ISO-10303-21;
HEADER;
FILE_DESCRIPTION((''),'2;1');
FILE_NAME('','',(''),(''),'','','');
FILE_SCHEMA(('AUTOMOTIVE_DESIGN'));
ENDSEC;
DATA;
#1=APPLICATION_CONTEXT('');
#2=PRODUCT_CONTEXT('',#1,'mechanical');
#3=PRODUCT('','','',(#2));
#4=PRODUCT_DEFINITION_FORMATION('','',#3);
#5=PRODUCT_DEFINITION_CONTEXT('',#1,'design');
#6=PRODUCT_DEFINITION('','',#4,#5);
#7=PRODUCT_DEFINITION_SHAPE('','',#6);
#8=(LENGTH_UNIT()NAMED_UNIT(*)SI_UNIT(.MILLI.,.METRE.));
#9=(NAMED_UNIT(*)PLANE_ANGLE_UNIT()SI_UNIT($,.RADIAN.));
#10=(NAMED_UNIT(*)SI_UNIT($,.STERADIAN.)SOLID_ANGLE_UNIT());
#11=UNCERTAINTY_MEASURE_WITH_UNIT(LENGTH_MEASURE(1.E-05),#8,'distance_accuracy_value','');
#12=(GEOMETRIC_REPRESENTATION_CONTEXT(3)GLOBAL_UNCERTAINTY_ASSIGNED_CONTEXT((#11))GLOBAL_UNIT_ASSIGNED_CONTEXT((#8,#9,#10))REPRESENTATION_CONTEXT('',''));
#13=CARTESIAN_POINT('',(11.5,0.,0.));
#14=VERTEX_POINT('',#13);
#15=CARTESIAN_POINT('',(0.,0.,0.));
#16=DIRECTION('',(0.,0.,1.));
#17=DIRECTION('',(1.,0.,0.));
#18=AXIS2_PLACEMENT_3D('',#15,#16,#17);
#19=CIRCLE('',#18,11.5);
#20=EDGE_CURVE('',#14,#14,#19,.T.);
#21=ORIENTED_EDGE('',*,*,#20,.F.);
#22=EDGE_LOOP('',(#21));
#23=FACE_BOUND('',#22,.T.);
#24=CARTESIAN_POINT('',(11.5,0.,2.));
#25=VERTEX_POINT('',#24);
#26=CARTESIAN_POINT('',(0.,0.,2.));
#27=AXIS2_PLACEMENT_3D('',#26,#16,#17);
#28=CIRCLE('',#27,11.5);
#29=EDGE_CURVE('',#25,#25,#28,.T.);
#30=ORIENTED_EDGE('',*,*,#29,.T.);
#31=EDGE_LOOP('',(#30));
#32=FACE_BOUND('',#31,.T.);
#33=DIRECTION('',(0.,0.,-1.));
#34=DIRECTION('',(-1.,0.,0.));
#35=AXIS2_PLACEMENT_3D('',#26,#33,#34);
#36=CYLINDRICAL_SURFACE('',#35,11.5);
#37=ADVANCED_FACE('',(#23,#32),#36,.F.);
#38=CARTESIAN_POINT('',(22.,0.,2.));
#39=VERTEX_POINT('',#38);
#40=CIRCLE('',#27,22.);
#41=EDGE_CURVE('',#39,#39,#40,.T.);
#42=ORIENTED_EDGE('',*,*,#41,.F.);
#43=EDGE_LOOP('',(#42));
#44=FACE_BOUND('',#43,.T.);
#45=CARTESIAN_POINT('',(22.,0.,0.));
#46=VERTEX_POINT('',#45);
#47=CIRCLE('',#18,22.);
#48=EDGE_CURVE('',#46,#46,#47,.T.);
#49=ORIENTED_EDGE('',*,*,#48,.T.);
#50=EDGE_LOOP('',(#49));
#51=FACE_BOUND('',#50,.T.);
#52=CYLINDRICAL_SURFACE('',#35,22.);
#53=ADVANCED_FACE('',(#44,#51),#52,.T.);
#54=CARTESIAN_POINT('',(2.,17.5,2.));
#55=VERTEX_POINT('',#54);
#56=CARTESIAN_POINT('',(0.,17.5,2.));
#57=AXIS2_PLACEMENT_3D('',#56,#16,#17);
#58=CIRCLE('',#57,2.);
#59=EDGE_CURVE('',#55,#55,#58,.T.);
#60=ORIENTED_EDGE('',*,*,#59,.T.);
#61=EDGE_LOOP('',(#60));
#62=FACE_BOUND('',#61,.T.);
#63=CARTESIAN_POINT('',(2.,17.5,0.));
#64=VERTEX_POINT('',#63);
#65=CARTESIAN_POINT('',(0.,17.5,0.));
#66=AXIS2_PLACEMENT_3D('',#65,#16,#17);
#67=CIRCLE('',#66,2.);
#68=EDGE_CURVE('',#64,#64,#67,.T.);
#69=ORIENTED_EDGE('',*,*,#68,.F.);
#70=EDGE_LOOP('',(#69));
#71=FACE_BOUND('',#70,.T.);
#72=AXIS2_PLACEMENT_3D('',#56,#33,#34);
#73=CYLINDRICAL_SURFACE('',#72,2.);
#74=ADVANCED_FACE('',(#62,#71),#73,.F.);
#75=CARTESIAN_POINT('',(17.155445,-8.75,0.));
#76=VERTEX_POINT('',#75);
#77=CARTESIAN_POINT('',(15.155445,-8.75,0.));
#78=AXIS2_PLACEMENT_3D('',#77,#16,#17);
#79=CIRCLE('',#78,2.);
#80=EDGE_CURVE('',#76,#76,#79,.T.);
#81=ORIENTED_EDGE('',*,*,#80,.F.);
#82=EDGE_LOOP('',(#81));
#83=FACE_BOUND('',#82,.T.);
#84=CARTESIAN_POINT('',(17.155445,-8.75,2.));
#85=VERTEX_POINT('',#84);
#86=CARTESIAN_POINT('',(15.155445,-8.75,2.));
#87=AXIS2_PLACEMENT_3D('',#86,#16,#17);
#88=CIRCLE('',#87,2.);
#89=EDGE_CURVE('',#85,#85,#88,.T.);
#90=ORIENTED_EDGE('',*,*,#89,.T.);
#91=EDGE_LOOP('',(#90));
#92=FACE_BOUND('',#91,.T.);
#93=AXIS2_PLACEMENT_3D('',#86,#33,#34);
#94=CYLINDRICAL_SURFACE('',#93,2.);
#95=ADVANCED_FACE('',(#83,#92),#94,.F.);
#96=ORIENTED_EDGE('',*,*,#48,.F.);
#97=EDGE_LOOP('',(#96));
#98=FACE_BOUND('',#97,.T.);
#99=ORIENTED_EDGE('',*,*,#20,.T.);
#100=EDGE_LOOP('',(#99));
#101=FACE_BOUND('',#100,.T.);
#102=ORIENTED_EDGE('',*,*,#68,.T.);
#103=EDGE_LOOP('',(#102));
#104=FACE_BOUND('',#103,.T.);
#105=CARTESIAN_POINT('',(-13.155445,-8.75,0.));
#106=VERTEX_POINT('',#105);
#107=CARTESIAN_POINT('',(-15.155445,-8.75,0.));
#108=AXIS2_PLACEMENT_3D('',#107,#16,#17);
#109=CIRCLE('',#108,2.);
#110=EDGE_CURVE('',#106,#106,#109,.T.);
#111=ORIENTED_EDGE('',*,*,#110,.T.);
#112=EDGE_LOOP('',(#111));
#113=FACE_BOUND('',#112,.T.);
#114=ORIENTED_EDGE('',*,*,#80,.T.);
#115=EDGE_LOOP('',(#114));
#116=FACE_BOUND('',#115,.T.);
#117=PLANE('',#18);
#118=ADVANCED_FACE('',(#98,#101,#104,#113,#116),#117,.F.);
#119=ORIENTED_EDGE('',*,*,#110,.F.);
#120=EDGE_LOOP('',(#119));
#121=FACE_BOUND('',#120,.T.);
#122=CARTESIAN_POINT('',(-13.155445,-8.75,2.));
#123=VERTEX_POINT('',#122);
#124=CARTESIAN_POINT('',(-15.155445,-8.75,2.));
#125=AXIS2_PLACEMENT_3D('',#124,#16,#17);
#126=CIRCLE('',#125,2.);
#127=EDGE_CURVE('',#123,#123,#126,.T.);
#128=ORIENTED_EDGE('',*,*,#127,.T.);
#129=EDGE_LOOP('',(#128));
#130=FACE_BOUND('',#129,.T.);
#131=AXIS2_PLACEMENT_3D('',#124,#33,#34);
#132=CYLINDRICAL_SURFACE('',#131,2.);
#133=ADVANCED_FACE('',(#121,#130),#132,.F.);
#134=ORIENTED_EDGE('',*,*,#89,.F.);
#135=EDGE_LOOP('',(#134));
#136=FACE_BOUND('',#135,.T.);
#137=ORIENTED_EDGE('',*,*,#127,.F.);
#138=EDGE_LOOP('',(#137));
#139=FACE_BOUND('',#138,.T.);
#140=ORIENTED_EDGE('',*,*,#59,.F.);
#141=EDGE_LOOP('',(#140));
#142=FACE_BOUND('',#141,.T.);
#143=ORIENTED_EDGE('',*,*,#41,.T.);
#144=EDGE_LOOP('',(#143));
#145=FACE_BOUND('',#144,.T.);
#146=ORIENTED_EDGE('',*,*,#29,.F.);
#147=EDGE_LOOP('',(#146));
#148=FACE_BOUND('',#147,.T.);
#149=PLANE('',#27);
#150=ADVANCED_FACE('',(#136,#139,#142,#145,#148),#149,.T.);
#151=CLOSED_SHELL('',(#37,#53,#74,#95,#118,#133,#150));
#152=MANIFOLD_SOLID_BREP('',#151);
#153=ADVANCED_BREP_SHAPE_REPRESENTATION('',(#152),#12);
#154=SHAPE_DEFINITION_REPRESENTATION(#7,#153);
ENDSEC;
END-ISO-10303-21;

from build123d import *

# Parameters (mm, degrees)
SKETCH_1_R      = 22
SKETCH_1_R_2    = 2
SKETCH_1_R_3    = 11.5
EXTRUDE_1_DEPTH = 2


with BuildPart() as part:
    # 草图1 → 凸台-拉伸1 (new body)
    with BuildSketch(Plane.XY):
        Circle(SKETCH_1_R)
        with Locations((0, 17.5)):
            Circle(SKETCH_1_R_2, mode=Mode.SUBTRACT)
        with Locations((15.155444566, -8.75)):
            Circle(SKETCH_1_R_2, mode=Mode.SUBTRACT)
        with Locations((-15.155444566, -8.75)):
            Circle(SKETCH_1_R_2, mode=Mode.SUBTRACT)
        Circle(SKETCH_1_R_3, mode=Mode.SUBTRACT)
    extrude(amount=EXTRUDE_1_DEPTH)


solid = part.part
